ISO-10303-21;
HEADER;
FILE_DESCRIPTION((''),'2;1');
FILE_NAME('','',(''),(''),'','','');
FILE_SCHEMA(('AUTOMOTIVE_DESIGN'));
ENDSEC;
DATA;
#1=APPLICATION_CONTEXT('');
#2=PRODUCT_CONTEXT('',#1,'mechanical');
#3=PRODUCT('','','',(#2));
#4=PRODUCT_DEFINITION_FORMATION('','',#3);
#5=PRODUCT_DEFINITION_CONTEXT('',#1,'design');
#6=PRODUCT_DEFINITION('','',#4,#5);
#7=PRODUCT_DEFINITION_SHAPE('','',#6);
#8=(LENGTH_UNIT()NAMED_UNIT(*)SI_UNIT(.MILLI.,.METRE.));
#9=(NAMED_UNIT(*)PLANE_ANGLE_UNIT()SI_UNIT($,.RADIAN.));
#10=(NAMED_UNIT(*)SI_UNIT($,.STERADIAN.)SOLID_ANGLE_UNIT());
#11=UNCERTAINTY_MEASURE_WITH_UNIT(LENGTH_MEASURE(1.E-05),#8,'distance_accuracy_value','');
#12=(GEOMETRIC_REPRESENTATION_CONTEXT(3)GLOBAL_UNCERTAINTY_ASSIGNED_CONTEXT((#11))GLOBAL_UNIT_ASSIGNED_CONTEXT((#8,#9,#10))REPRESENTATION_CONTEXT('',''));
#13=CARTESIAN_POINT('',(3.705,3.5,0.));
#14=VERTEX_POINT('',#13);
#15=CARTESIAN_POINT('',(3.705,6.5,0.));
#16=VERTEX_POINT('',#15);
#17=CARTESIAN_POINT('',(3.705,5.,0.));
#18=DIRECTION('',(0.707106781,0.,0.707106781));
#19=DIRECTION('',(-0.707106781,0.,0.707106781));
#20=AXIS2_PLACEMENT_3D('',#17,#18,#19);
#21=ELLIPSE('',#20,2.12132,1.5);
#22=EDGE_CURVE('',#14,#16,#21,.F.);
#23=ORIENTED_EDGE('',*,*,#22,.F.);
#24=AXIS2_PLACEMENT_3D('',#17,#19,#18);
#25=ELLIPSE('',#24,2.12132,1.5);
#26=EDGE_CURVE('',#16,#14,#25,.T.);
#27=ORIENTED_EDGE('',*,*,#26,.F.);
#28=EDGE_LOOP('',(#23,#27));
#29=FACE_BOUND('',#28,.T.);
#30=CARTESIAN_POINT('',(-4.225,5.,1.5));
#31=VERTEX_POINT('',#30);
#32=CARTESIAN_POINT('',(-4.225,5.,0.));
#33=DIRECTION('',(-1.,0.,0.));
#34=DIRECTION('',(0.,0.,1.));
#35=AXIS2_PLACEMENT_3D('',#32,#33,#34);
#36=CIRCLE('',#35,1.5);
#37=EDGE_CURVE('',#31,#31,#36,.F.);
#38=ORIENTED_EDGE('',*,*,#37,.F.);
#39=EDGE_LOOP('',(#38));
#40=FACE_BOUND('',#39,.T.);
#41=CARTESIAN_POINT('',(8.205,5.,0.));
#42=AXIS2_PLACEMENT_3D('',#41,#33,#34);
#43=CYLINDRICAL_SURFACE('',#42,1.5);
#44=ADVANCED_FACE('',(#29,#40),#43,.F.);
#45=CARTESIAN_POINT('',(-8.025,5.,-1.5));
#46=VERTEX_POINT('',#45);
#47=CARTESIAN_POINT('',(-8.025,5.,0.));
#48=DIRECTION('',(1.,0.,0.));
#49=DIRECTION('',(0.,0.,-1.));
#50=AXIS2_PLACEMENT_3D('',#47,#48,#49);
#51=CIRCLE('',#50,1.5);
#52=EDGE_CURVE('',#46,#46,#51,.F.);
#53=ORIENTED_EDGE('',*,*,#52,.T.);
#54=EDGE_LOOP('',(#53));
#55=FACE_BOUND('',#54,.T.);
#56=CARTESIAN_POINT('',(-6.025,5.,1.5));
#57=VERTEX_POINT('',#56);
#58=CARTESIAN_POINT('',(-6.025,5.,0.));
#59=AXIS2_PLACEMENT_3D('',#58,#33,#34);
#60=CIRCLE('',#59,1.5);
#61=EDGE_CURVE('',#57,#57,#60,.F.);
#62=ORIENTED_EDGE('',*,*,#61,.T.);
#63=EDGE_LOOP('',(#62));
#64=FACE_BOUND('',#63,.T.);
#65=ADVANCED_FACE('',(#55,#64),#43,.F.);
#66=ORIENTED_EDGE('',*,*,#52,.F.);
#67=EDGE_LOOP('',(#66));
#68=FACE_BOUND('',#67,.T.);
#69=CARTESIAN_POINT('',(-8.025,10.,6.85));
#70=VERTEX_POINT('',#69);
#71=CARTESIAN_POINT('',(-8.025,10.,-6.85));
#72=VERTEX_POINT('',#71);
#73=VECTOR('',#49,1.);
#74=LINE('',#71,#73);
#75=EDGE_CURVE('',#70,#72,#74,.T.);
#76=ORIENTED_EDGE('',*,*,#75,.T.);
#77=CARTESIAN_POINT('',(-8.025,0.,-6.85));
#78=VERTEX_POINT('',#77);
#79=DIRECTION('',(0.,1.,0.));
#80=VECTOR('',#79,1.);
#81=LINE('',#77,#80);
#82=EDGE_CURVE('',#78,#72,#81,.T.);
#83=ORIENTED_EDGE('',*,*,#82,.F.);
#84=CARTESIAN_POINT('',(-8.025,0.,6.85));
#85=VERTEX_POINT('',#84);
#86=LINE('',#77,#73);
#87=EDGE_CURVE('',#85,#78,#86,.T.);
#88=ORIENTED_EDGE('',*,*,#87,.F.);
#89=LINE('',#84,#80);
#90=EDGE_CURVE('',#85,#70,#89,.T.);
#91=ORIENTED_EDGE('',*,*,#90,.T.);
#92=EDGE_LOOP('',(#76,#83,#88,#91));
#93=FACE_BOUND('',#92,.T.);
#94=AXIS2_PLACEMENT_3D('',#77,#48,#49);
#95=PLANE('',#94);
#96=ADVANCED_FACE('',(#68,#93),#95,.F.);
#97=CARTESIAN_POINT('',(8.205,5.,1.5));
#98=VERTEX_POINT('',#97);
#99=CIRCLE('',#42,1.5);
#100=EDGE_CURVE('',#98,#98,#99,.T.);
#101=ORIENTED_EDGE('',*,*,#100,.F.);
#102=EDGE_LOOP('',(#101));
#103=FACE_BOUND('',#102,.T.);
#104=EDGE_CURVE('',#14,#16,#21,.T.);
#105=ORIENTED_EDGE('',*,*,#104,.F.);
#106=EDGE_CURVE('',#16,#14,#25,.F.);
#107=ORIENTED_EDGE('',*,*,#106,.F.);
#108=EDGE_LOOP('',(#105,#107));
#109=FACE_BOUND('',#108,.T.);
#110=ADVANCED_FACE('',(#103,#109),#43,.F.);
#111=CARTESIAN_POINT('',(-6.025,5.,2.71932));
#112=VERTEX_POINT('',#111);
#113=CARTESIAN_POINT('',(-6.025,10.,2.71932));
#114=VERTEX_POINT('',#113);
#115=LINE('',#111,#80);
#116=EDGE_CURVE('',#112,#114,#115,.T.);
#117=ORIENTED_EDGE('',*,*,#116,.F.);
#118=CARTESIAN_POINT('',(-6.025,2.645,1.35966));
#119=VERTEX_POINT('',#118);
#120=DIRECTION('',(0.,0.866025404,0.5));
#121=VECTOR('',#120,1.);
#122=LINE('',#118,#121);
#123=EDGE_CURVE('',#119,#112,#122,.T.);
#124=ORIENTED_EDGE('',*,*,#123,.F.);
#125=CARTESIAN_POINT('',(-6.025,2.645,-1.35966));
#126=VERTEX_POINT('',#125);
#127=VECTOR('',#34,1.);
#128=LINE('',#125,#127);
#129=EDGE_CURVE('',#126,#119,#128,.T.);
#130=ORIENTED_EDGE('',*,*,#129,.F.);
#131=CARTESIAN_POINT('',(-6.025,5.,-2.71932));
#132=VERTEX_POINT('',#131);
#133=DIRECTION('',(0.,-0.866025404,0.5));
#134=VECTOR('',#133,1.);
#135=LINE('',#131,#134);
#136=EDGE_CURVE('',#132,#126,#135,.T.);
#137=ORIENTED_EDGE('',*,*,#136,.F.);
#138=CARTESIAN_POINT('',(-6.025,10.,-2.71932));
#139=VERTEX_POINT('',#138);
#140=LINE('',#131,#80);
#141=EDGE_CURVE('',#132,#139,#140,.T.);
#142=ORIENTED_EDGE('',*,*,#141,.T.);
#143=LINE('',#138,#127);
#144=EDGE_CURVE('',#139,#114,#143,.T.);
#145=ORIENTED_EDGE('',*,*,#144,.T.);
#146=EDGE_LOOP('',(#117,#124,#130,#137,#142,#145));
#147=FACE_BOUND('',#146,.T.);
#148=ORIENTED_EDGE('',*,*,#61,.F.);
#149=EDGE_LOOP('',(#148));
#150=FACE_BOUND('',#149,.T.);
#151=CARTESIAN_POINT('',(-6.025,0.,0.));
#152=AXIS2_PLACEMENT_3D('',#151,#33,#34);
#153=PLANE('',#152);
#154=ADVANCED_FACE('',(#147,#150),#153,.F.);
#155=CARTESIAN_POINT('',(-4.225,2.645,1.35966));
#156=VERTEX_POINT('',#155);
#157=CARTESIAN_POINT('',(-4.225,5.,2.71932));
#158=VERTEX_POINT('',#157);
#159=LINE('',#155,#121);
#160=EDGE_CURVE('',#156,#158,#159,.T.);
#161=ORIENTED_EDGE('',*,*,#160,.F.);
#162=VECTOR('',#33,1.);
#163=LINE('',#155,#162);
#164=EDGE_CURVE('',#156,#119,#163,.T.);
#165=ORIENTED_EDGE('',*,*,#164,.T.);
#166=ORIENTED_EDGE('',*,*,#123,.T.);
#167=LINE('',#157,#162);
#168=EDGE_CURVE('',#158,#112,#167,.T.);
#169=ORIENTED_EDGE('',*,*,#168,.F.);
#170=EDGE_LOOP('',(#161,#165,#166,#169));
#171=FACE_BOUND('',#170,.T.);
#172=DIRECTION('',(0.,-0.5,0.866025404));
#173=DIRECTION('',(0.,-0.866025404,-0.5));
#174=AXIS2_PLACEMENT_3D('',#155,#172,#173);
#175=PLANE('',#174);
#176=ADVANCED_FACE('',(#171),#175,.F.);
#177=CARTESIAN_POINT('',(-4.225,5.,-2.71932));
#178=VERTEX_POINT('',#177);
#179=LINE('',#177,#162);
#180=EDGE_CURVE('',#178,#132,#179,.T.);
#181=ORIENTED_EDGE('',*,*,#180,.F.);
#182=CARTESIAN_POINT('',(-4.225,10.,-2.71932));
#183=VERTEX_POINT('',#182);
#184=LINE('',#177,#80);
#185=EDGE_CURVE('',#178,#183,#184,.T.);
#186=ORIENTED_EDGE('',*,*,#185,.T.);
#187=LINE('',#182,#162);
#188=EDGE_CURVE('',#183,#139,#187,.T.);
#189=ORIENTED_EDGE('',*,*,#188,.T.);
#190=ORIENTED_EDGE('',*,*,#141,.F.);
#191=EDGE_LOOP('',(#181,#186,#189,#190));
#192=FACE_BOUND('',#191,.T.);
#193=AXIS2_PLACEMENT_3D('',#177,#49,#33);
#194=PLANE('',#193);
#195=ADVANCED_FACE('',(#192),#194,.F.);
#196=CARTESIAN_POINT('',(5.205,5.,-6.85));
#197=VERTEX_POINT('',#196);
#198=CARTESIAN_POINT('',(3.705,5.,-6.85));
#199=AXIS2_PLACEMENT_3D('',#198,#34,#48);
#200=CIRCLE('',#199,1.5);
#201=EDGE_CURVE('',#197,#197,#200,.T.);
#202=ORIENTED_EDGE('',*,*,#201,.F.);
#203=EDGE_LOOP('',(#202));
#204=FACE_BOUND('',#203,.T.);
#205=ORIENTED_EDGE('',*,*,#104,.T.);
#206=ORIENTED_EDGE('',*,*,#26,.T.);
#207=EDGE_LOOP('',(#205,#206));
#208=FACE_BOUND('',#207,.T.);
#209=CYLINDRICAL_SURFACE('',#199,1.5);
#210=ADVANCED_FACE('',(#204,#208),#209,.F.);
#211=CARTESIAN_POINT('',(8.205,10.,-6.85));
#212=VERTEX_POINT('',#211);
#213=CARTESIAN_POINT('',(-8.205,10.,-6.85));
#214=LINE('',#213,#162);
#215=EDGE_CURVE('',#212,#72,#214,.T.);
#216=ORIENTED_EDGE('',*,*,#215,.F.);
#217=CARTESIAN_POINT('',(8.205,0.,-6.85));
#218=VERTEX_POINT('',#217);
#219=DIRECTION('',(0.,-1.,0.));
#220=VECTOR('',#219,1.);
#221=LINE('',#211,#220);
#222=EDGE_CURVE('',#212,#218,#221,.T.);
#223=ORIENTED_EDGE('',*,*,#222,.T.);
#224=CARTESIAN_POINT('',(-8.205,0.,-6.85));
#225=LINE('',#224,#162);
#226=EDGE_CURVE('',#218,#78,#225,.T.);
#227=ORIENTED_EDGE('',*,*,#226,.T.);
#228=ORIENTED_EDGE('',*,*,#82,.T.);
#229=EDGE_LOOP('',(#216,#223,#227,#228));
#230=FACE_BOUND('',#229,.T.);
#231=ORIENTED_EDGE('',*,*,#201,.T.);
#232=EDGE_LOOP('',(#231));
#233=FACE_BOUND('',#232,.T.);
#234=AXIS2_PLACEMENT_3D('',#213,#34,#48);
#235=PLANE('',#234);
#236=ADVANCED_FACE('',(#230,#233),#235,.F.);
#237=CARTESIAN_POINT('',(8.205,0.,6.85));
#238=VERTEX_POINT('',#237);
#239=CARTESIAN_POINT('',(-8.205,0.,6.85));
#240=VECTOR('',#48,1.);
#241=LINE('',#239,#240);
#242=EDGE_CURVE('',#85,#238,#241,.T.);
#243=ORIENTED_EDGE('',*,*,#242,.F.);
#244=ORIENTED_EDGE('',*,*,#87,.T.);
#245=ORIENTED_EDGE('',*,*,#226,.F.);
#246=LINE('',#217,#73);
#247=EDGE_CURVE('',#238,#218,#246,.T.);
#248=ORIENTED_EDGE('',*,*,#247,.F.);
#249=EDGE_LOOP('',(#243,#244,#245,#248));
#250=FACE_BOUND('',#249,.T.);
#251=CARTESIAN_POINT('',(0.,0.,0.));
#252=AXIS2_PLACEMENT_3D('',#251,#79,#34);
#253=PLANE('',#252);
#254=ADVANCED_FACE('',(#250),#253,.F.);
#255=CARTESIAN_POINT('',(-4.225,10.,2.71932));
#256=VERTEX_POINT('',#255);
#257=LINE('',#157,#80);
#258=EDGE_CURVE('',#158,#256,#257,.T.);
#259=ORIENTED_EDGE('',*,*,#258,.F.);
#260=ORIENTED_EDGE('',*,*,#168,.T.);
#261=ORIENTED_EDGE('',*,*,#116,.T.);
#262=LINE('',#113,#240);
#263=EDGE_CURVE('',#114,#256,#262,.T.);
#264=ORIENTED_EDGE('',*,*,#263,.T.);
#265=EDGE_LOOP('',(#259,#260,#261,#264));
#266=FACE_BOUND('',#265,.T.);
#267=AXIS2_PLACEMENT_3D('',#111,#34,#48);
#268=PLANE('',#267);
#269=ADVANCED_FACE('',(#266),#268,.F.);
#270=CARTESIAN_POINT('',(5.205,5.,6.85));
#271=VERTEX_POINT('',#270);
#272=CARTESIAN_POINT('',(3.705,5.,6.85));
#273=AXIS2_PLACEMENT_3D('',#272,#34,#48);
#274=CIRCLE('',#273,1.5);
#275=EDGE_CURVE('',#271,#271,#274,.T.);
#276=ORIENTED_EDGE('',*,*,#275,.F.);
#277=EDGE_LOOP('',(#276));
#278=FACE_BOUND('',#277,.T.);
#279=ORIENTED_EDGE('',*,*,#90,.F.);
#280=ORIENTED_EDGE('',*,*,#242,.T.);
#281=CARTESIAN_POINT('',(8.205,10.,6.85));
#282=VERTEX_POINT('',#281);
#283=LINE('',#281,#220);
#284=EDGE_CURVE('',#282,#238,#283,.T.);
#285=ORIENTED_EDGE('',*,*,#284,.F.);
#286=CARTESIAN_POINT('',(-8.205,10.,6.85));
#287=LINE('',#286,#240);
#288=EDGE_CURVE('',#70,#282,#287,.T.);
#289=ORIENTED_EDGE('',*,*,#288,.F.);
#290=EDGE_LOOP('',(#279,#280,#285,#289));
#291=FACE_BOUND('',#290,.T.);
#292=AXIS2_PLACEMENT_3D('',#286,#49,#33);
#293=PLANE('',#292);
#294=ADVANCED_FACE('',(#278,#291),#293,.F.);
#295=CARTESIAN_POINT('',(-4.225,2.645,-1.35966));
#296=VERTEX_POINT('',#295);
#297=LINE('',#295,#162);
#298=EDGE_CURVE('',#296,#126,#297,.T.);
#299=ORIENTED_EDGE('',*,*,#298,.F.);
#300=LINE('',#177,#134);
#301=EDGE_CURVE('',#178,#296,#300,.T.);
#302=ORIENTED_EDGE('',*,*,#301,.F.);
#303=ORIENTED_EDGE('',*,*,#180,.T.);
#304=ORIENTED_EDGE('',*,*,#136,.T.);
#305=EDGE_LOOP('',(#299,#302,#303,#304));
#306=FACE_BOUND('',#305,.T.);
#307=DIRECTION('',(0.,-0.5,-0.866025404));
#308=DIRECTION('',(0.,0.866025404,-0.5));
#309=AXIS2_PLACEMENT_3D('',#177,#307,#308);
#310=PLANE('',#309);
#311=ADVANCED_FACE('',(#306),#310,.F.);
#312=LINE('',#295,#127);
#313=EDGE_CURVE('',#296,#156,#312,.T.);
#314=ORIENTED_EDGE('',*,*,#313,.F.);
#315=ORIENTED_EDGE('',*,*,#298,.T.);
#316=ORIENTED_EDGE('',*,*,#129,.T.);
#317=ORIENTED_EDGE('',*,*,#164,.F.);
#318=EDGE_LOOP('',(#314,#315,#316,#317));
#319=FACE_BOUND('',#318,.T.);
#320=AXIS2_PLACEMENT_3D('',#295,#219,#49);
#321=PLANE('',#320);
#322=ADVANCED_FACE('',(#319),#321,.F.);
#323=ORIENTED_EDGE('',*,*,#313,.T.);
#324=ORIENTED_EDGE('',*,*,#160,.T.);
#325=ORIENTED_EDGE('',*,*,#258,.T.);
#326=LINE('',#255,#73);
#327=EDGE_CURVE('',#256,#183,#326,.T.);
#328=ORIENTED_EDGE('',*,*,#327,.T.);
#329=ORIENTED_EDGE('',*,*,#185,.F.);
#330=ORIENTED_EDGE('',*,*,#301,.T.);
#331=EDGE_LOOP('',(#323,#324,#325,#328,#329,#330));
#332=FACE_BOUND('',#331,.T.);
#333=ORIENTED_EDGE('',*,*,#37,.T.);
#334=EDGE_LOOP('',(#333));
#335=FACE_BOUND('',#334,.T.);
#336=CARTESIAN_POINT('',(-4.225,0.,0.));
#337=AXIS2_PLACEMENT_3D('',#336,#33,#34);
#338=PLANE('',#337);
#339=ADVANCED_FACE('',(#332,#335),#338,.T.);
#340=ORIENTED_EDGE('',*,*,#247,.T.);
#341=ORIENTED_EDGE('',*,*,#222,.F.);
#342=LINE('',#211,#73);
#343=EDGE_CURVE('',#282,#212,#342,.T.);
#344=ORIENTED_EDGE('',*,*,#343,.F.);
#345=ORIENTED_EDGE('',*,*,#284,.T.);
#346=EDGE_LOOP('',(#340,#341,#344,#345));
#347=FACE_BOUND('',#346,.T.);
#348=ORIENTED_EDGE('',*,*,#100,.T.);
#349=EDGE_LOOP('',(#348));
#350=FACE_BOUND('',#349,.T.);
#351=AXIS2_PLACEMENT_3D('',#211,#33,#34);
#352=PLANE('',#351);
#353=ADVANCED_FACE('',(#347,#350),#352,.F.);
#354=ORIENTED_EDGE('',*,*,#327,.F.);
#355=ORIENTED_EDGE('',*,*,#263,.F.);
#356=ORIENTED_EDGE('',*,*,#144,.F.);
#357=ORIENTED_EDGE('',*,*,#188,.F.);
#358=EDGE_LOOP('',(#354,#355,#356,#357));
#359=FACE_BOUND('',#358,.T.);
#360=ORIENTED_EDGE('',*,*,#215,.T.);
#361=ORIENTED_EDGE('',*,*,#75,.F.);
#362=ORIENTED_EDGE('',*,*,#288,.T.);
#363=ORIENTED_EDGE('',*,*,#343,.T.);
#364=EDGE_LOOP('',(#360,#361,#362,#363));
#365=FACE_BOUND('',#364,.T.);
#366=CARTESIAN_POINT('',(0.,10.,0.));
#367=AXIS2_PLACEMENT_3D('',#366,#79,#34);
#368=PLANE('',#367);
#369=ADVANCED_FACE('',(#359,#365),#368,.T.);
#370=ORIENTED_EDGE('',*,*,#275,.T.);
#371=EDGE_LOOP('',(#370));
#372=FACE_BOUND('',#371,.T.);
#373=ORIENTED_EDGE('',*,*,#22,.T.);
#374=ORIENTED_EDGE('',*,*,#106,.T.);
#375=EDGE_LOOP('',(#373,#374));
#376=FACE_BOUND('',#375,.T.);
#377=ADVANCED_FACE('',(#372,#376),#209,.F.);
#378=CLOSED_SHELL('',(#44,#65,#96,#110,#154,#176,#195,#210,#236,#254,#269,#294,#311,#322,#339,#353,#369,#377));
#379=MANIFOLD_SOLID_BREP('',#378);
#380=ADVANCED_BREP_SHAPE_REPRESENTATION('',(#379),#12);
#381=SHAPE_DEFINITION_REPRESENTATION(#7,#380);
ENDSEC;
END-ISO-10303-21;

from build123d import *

# Parameters (mm, degrees)
SKETCH1_W           = 16.41
SKETCH1_H           = 13.7
BOSS_EXTRUDE1_DEPTH = 10
SKETCH2_R           = 1.5
CUT_EXTRUDE1_DEPTH  = 19.841762789
SKETCH3_R           = 1.5
CUT_EXTRUDE2_DEPTH  = 21.401240158
SKETCH5_W           = 0.18
SKETCH5_H           = 13.7
CUT_EXTRUDE4_DEPTH  = 15.637094145
CUT_EXTRUDE3_DEPTH  = 1.8
SKETCH6_W           = 1.8
SKETCH6_H           = 5.438639536
CUT_EXTRUDE5_DEPTH  = 5


with BuildPart() as part:
    # Sketch1 → Boss-Extrude1 (new body)
    with BuildSketch(Plane(origin=(0, 0, 0), x_dir=(1, 0, 0), z_dir=(0, 1, 0))):
        Rectangle(SKETCH1_W, SKETCH1_H)
    extrude(amount=BOSS_EXTRUDE1_DEPTH)

    # Sketch2 → Cut-Extrude1 (cut, through all)
    with BuildSketch(Plane.XY.offset(6.85)):
        with Locations((3.705, 5)):
            Circle(SKETCH2_R)
    extrude(amount=-CUT_EXTRUDE1_DEPTH, mode=Mode.SUBTRACT)

    # Sketch3 → Cut-Extrude2 (cut, through all)
    with BuildSketch(Plane.ZY.offset(8.205)):
        with Locations((0, 5)):
            Circle(SKETCH3_R)
    extrude(amount=-CUT_EXTRUDE2_DEPTH, mode=Mode.SUBTRACT)

    # Sketch5 → Cut-Extrude4 (cut, through all)
    with BuildSketch(Plane(origin=(0, 10, 0), x_dir=(1, 0, 0), z_dir=(0, 1, 0))):
        with Locations((-8.115, 0)):
            Rectangle(SKETCH5_W, SKETCH5_H)
    extrude(amount=-CUT_EXTRUDE4_DEPTH, mode=Mode.SUBTRACT)

    # Sketch4 → Cut-Extrude3 (cut)
    with BuildSketch(Plane.ZY.offset(6.025)):
        Polygon((2.719319768, 5), (1.359659884, 7.355), (-1.359659884, 7.355), (-2.719319768, 5), (-1.359659884, 2.645), (1.359659884, 2.645), align=None)
    extrude(amount=-CUT_EXTRUDE3_DEPTH, mode=Mode.SUBTRACT)

    # Sketch6 → Cut-Extrude5 (cut)
    with BuildSketch(Plane(origin=(0, 10, 0), x_dir=(1, 0, 0), z_dir=(0, 1, 0))):
        with Locations((-5.125, 0)):
            Rectangle(SKETCH6_W, SKETCH6_H)
    extrude(amount=-CUT_EXTRUDE5_DEPTH, mode=Mode.SUBTRACT)


solid = part.part
